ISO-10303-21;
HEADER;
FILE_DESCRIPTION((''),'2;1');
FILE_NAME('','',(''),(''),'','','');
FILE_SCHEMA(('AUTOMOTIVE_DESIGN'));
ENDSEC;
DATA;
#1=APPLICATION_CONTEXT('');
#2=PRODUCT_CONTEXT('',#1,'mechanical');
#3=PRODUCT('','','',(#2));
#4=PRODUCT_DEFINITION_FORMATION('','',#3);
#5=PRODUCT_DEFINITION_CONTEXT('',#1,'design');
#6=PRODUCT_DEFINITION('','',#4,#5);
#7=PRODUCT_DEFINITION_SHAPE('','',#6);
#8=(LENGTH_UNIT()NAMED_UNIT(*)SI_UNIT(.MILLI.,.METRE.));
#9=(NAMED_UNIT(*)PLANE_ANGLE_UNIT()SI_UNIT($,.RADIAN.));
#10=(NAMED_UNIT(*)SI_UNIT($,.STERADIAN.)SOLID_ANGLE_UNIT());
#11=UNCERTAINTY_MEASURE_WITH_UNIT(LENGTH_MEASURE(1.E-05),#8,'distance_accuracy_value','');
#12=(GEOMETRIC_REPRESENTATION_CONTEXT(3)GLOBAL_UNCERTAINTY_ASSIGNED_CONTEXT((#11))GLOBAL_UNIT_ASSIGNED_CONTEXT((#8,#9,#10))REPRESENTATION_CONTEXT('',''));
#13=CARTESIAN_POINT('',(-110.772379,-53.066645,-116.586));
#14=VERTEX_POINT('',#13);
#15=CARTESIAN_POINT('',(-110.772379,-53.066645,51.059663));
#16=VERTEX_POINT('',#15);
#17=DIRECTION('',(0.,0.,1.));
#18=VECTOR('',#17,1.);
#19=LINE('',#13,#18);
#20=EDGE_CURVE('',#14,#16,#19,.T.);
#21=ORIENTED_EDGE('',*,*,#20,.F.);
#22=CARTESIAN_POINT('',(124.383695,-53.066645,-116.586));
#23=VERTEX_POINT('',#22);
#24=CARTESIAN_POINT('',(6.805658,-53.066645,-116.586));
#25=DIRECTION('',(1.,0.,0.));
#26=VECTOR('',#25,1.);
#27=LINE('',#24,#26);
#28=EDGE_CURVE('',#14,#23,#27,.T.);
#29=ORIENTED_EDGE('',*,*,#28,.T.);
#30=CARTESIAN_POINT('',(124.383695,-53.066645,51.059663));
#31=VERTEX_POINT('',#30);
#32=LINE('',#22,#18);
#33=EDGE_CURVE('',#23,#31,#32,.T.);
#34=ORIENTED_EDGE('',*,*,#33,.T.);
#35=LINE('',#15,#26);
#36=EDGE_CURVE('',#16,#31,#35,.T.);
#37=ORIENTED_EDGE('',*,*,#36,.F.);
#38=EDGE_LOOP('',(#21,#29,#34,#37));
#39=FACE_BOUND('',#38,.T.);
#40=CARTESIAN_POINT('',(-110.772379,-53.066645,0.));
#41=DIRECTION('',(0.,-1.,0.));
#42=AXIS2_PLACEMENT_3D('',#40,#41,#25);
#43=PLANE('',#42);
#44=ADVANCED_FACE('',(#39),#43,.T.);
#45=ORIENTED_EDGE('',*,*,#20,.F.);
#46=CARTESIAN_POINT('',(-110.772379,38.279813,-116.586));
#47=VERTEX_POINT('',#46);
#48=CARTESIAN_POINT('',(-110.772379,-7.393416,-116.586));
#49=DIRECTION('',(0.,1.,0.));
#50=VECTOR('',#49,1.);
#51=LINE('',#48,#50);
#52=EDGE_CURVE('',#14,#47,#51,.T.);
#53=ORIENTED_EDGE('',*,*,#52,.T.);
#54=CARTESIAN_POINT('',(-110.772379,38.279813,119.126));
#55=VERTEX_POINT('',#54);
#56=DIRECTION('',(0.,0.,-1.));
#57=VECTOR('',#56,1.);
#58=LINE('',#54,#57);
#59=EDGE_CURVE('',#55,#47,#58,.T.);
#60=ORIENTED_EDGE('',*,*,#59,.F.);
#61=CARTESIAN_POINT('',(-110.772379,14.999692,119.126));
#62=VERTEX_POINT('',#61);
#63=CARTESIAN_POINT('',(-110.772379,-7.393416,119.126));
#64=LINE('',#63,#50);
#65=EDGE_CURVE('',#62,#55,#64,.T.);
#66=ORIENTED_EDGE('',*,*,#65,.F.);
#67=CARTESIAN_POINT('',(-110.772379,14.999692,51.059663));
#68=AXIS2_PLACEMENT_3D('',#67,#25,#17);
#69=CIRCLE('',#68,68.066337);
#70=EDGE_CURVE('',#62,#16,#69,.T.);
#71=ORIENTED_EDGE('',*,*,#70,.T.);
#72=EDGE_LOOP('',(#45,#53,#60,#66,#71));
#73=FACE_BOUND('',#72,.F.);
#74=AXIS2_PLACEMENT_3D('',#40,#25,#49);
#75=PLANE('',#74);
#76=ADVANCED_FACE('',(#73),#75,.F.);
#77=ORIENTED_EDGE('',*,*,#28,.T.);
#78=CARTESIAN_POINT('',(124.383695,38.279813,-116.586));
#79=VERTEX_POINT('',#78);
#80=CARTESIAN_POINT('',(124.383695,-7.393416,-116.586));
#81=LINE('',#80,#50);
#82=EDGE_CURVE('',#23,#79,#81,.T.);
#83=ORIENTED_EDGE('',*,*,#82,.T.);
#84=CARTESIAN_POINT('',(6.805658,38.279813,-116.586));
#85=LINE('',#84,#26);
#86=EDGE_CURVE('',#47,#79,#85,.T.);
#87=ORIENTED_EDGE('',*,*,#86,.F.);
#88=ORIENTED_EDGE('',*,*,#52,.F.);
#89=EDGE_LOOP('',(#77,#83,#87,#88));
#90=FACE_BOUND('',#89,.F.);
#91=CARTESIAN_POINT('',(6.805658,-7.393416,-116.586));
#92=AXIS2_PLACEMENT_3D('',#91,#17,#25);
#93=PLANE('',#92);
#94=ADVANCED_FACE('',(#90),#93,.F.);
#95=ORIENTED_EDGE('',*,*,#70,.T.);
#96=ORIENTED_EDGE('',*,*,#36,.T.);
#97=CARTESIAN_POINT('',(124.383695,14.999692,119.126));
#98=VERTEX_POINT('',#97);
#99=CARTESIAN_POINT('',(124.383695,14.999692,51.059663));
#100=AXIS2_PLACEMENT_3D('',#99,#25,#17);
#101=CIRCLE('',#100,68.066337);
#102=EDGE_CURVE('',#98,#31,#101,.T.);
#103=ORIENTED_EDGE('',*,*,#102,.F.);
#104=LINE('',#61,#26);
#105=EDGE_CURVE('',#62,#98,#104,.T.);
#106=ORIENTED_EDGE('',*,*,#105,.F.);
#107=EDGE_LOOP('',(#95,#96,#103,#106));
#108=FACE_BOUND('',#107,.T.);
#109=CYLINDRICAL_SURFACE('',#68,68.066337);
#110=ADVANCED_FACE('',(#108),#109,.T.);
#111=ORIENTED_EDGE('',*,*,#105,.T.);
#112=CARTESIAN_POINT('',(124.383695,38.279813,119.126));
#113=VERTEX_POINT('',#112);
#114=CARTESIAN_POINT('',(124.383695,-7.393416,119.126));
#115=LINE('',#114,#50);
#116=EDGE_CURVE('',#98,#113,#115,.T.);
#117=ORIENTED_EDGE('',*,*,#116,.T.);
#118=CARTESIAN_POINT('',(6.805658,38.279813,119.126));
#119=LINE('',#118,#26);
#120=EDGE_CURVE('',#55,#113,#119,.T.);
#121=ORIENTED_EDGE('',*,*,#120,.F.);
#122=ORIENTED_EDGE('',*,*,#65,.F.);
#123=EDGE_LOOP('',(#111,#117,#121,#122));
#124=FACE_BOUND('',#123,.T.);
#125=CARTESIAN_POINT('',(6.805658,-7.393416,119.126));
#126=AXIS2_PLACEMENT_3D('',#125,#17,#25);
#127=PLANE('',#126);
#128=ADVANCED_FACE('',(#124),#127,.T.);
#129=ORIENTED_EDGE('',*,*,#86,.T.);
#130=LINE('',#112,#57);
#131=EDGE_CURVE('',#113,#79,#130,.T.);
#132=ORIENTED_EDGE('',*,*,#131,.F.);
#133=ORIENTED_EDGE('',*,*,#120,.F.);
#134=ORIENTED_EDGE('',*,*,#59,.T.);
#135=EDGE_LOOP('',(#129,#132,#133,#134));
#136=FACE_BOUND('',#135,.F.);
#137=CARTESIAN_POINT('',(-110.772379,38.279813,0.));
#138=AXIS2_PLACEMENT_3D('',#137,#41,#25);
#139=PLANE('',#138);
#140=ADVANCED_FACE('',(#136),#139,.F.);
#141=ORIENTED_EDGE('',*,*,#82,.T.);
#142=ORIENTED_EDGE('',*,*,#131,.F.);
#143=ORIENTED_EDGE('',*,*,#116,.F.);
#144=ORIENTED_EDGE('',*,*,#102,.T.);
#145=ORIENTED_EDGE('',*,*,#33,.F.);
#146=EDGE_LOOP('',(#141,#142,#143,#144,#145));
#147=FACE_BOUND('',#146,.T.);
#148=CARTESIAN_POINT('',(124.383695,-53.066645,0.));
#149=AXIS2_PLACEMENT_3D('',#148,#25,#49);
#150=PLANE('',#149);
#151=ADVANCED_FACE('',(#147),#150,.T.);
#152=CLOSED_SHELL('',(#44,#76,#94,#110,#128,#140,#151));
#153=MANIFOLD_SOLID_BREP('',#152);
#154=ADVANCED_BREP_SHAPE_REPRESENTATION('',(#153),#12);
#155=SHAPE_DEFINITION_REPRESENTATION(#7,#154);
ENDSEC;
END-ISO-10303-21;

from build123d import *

# Parameters (mm, degrees)
F0_W          = 235.156074
F0_H          = 91.346458
F1_DEPTH      = 119.126
F1_DEPTH_BACK = 116.586
F2_R          = 68.066337


with BuildPart() as f1:
    # F0 (on Top) → F1 (new body, two sides)
    with BuildSketch(Plane.XY) as f1_sk:
        with Locations((6.805658, -7.393416)):
            Rectangle(F0_W, F0_H)
    extrude(amount=F1_DEPTH)
    extrude(f1_sk.sketch, amount=-F1_DEPTH_BACK)

    # F2
    f2_edges = [f1.edges().sort_by_distance(p)[0] for p in [
        (6.805658, -53.066645, 119.126),
    ]]
    fillet(f2_edges, radius=F2_R)


solid = f1.part
